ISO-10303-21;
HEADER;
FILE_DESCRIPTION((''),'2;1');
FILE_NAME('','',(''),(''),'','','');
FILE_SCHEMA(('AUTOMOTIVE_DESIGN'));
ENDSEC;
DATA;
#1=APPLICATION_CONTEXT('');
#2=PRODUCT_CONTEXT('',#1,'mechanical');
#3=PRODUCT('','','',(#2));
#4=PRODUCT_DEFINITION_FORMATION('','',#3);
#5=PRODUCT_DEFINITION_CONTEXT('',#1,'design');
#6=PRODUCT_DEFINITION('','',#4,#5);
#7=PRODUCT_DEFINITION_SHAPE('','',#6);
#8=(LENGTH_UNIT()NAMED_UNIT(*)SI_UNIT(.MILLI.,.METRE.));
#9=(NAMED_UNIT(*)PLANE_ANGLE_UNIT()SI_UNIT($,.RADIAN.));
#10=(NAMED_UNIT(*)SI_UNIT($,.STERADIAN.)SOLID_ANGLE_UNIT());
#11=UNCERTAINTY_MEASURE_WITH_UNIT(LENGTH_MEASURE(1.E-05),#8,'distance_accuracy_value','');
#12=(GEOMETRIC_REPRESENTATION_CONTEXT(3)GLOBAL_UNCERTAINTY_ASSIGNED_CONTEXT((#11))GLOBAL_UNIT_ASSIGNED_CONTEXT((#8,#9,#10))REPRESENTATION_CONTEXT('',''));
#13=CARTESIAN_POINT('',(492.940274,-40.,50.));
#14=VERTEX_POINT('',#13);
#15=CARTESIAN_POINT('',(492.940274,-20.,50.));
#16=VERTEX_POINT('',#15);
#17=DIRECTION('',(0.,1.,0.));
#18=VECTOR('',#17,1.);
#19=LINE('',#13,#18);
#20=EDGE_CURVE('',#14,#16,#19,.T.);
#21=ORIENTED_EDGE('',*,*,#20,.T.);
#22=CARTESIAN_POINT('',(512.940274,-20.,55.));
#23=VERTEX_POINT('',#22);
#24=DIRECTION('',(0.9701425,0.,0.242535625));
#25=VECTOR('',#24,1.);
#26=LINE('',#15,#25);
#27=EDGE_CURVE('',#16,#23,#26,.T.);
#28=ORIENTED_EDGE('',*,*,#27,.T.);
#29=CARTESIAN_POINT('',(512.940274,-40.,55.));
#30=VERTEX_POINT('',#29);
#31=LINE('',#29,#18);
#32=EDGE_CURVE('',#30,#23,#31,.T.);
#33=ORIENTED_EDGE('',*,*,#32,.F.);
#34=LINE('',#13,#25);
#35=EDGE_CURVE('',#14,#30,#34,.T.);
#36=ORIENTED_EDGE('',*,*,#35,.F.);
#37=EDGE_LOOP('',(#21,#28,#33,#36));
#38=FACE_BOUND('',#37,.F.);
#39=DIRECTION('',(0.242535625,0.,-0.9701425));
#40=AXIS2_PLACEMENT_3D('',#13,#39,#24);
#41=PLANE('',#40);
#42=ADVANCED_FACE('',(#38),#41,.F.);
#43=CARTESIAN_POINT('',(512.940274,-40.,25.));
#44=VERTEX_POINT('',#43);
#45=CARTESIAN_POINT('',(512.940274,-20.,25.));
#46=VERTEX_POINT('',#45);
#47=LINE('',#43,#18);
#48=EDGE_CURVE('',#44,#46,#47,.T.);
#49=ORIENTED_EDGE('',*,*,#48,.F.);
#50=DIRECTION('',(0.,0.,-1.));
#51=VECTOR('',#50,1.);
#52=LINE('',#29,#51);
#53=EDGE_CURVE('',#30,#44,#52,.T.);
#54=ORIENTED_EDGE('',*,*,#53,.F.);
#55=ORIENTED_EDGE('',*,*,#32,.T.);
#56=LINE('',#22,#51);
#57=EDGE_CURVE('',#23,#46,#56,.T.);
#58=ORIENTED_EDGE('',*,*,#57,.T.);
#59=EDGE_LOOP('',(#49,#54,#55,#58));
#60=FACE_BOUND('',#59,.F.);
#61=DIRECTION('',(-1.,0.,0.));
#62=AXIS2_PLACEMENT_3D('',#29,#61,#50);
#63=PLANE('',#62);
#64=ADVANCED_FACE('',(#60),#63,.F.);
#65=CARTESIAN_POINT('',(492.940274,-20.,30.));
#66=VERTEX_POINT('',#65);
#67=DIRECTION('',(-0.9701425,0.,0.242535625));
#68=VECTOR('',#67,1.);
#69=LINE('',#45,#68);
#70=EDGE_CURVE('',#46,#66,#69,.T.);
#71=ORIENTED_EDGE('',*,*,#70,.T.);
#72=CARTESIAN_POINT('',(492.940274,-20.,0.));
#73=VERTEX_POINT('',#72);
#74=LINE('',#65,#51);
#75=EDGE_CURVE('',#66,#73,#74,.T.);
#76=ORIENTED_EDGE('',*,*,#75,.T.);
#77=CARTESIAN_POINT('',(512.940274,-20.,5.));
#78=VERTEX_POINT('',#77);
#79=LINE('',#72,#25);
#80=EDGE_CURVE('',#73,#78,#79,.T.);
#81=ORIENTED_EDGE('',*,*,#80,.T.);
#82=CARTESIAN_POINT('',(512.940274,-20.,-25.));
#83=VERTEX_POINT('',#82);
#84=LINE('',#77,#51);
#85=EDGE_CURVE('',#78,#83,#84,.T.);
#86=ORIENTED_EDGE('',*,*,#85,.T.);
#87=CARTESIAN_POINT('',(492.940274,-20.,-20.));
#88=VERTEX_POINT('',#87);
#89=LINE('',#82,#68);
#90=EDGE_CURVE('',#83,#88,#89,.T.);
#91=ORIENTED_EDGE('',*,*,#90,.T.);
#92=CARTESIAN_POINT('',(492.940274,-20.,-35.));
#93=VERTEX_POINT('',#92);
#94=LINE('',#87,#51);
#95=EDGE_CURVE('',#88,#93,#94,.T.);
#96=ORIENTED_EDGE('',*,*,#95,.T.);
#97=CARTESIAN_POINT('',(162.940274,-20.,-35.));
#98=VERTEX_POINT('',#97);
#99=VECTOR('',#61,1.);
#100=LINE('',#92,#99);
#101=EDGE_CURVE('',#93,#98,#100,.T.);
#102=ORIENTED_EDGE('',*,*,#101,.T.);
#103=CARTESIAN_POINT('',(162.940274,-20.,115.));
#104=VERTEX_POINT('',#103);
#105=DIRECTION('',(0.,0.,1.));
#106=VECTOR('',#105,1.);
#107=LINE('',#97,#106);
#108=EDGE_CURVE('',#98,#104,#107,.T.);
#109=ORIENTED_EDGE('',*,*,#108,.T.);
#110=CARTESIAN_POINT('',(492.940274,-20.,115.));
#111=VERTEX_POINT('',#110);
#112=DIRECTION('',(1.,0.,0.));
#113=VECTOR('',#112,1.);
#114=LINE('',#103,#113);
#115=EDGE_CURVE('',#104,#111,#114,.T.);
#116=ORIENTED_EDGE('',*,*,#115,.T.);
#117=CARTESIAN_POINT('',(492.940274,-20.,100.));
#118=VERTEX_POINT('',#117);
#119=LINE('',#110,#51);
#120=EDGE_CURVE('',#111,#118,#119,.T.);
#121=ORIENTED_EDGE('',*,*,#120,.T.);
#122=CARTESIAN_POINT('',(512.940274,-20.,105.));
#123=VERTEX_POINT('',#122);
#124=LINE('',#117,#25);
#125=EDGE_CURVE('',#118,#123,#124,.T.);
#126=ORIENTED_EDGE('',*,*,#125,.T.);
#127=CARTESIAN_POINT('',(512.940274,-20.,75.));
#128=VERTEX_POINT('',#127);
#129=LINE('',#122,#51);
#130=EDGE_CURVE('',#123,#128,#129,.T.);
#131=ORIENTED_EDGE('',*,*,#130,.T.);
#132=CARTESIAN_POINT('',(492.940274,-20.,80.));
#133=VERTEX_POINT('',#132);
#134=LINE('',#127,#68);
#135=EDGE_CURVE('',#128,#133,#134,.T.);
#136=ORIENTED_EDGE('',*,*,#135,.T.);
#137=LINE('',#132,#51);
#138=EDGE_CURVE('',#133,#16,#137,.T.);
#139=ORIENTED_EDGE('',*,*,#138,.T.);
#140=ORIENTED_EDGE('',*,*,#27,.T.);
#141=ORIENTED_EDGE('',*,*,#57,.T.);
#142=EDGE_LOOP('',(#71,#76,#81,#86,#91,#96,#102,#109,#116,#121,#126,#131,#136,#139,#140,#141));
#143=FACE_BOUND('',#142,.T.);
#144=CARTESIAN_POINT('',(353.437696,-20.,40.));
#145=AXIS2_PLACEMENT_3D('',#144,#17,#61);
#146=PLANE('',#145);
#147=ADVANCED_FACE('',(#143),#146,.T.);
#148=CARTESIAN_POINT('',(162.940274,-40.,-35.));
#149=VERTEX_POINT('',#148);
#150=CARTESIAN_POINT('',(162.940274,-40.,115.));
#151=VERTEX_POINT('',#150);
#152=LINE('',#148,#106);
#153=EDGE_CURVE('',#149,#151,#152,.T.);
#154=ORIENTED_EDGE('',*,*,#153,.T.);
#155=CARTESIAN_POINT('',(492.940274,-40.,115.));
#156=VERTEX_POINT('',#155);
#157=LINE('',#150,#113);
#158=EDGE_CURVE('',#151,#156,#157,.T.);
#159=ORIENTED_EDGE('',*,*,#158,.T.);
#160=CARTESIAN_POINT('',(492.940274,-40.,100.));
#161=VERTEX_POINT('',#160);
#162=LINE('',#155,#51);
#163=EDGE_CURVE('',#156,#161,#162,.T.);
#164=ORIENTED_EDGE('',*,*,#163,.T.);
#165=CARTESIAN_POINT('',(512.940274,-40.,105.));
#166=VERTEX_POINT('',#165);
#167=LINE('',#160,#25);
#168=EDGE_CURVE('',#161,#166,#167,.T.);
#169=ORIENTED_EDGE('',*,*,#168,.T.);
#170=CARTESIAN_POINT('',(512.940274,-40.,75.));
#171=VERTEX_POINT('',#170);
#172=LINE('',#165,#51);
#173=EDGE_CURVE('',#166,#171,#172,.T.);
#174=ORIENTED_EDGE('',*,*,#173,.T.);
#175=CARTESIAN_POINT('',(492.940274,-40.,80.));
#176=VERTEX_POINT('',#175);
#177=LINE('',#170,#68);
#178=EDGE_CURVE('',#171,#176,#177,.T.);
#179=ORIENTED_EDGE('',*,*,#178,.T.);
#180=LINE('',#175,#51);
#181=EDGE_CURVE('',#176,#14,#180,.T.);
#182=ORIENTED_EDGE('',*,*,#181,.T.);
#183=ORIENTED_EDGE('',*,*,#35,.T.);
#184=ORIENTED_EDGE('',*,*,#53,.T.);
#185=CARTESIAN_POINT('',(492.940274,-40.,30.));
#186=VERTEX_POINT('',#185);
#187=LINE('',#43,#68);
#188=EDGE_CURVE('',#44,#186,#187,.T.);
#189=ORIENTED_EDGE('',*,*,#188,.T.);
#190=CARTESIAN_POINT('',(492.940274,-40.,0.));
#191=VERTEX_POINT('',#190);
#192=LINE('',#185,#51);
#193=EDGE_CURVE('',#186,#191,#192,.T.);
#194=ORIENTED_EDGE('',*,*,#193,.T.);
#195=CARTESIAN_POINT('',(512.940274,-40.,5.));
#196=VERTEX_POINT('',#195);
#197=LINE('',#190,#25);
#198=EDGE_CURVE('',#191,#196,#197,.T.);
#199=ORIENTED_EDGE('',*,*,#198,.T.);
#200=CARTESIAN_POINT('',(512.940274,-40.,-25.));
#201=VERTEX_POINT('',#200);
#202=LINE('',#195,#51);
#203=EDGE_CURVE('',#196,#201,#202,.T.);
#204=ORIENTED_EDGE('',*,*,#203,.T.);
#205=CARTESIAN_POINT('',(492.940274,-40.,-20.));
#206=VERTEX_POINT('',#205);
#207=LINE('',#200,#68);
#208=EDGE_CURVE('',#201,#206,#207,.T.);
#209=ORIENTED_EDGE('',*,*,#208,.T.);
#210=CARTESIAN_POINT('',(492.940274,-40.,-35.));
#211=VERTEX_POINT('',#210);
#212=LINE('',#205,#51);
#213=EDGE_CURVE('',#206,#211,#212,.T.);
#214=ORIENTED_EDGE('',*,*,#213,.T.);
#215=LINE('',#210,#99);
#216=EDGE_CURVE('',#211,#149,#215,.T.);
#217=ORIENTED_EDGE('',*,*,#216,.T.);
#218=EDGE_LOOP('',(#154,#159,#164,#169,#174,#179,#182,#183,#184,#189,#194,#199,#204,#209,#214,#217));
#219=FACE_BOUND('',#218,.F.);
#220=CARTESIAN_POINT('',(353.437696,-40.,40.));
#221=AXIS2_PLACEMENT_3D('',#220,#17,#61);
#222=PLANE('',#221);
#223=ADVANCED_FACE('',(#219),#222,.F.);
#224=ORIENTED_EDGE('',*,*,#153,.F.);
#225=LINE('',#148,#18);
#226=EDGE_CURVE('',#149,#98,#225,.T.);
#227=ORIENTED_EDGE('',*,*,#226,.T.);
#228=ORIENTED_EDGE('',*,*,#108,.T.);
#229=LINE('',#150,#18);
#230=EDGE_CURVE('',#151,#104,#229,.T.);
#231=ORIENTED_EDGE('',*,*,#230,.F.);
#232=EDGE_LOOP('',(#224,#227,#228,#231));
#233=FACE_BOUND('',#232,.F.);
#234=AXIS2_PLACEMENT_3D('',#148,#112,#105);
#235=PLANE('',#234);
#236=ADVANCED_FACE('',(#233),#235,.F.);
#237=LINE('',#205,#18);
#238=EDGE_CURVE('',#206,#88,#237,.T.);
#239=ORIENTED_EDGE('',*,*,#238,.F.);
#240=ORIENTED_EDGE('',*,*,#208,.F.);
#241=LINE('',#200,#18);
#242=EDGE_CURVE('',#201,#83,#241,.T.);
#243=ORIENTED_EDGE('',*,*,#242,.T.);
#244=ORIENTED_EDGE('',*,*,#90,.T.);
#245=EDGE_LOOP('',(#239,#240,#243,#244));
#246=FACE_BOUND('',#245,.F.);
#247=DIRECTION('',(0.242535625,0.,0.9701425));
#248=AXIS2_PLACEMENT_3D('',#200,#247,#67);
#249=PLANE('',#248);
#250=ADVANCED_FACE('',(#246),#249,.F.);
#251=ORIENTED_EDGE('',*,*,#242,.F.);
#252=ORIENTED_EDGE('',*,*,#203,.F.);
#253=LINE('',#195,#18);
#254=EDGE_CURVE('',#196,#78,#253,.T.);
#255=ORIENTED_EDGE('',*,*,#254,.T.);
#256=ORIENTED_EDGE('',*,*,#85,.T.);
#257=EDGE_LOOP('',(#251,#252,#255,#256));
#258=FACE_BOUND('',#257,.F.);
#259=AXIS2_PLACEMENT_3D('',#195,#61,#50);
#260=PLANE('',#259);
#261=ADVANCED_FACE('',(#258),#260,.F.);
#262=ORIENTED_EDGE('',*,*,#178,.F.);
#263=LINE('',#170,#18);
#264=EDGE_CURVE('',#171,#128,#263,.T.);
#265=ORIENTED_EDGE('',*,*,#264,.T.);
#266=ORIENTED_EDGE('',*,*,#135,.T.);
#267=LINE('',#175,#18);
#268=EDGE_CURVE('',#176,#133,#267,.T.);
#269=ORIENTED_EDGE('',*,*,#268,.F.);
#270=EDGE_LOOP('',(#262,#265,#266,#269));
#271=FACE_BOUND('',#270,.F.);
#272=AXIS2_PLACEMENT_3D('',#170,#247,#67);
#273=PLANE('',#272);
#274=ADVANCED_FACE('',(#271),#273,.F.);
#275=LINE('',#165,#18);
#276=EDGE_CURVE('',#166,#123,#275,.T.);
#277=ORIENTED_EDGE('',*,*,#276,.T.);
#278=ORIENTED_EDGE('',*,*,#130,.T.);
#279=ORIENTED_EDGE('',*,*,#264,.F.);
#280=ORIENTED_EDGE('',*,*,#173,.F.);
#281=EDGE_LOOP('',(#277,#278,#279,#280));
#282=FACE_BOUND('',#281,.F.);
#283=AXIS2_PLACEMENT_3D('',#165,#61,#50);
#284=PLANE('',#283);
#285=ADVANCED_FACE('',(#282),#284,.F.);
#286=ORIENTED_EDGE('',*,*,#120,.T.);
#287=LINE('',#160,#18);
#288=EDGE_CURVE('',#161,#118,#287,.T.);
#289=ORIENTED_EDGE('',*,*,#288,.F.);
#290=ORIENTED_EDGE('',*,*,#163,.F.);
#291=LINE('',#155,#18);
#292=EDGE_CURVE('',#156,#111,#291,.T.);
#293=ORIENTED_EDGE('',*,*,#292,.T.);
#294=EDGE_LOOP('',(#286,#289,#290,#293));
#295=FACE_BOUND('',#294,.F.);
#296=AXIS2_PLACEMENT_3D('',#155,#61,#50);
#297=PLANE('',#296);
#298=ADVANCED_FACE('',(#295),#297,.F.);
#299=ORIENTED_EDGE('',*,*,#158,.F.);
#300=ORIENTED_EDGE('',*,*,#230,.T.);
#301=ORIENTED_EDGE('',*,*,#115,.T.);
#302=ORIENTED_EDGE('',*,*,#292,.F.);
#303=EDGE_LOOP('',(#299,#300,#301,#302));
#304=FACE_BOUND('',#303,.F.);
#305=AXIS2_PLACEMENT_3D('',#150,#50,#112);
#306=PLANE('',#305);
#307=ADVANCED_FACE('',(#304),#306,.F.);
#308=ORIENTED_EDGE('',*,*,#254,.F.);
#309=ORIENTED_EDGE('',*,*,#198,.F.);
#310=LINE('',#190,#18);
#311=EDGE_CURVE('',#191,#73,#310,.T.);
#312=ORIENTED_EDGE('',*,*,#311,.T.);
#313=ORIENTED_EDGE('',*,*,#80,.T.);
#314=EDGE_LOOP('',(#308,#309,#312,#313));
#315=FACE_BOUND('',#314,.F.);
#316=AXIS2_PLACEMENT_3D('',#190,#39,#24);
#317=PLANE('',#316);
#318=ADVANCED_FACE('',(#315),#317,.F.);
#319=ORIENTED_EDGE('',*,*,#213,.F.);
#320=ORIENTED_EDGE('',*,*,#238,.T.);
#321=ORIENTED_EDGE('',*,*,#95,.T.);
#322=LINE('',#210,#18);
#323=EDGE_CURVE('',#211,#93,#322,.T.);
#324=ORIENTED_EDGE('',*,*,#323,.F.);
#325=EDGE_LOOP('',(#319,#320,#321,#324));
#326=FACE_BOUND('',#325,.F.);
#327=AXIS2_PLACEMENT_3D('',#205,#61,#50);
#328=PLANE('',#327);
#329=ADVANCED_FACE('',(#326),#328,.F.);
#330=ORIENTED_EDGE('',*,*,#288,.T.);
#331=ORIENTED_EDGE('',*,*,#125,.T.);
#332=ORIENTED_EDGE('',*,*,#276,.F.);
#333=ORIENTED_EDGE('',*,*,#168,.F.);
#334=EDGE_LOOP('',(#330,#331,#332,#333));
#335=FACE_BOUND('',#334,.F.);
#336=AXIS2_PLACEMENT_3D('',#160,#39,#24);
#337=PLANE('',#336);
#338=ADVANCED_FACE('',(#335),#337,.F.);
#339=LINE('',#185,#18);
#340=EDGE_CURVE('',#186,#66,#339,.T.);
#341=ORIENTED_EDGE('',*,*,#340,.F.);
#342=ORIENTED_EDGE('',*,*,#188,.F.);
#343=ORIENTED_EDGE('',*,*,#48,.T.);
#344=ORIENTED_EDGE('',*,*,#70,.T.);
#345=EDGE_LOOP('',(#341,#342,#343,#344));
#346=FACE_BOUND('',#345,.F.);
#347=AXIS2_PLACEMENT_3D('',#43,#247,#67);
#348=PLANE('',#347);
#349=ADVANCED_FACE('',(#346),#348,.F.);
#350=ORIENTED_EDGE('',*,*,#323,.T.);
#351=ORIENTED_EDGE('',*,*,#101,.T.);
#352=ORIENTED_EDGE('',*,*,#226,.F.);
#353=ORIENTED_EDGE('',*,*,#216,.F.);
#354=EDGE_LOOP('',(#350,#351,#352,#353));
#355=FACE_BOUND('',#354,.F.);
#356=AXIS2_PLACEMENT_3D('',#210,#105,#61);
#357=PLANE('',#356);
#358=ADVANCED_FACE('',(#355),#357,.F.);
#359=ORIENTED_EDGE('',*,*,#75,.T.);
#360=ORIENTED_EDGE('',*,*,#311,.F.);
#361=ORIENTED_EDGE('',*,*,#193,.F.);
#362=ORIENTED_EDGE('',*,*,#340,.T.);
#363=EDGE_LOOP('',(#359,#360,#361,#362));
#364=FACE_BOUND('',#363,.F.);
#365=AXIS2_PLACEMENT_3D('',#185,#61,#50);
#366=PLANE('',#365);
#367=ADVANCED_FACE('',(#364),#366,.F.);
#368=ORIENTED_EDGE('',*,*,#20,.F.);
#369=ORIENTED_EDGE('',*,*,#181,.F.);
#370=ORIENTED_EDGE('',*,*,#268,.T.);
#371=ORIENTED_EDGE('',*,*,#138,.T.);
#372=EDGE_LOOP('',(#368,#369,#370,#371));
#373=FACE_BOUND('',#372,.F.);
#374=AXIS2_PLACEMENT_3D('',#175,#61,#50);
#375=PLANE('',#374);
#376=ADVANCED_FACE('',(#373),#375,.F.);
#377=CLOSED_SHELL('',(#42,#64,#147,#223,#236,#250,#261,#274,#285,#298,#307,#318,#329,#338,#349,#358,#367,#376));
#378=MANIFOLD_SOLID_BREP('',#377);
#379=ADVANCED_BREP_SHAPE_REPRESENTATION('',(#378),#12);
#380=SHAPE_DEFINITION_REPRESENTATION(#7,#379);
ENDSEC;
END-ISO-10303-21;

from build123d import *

# Parameters (mm, degrees)
F1_DEPTH = 20
F2_ANGLE = 180


with BuildPart() as f1:
    # F0 (on Front) → F1 (new body)
    with BuildSketch(Plane.XZ):
        Polygon((162.940274, 115), (-167.059726, 115), (-167.059726, 100), (-187.059726, 105), (-187.059726, 75), (-167.059726, 80), (-167.059726, 50), (-187.059726, 55), (-187.059726, 40), (-187.059726, 25), (-167.059726, 30), (-167.059726, 0), (-187.059726, 5), (-187.059726, -25), (-167.059726, -20), (-167.059726, -35), (162.940274, -35), align=None)
    extrude(amount=F1_DEPTH)


with BuildPart() as f1_1:
    # F2: moved
    add(f1.part.rotate(Axis((162.940274, -20, 40), (0, 0, -1)), F2_ANGLE))


solid = f1_1.part
